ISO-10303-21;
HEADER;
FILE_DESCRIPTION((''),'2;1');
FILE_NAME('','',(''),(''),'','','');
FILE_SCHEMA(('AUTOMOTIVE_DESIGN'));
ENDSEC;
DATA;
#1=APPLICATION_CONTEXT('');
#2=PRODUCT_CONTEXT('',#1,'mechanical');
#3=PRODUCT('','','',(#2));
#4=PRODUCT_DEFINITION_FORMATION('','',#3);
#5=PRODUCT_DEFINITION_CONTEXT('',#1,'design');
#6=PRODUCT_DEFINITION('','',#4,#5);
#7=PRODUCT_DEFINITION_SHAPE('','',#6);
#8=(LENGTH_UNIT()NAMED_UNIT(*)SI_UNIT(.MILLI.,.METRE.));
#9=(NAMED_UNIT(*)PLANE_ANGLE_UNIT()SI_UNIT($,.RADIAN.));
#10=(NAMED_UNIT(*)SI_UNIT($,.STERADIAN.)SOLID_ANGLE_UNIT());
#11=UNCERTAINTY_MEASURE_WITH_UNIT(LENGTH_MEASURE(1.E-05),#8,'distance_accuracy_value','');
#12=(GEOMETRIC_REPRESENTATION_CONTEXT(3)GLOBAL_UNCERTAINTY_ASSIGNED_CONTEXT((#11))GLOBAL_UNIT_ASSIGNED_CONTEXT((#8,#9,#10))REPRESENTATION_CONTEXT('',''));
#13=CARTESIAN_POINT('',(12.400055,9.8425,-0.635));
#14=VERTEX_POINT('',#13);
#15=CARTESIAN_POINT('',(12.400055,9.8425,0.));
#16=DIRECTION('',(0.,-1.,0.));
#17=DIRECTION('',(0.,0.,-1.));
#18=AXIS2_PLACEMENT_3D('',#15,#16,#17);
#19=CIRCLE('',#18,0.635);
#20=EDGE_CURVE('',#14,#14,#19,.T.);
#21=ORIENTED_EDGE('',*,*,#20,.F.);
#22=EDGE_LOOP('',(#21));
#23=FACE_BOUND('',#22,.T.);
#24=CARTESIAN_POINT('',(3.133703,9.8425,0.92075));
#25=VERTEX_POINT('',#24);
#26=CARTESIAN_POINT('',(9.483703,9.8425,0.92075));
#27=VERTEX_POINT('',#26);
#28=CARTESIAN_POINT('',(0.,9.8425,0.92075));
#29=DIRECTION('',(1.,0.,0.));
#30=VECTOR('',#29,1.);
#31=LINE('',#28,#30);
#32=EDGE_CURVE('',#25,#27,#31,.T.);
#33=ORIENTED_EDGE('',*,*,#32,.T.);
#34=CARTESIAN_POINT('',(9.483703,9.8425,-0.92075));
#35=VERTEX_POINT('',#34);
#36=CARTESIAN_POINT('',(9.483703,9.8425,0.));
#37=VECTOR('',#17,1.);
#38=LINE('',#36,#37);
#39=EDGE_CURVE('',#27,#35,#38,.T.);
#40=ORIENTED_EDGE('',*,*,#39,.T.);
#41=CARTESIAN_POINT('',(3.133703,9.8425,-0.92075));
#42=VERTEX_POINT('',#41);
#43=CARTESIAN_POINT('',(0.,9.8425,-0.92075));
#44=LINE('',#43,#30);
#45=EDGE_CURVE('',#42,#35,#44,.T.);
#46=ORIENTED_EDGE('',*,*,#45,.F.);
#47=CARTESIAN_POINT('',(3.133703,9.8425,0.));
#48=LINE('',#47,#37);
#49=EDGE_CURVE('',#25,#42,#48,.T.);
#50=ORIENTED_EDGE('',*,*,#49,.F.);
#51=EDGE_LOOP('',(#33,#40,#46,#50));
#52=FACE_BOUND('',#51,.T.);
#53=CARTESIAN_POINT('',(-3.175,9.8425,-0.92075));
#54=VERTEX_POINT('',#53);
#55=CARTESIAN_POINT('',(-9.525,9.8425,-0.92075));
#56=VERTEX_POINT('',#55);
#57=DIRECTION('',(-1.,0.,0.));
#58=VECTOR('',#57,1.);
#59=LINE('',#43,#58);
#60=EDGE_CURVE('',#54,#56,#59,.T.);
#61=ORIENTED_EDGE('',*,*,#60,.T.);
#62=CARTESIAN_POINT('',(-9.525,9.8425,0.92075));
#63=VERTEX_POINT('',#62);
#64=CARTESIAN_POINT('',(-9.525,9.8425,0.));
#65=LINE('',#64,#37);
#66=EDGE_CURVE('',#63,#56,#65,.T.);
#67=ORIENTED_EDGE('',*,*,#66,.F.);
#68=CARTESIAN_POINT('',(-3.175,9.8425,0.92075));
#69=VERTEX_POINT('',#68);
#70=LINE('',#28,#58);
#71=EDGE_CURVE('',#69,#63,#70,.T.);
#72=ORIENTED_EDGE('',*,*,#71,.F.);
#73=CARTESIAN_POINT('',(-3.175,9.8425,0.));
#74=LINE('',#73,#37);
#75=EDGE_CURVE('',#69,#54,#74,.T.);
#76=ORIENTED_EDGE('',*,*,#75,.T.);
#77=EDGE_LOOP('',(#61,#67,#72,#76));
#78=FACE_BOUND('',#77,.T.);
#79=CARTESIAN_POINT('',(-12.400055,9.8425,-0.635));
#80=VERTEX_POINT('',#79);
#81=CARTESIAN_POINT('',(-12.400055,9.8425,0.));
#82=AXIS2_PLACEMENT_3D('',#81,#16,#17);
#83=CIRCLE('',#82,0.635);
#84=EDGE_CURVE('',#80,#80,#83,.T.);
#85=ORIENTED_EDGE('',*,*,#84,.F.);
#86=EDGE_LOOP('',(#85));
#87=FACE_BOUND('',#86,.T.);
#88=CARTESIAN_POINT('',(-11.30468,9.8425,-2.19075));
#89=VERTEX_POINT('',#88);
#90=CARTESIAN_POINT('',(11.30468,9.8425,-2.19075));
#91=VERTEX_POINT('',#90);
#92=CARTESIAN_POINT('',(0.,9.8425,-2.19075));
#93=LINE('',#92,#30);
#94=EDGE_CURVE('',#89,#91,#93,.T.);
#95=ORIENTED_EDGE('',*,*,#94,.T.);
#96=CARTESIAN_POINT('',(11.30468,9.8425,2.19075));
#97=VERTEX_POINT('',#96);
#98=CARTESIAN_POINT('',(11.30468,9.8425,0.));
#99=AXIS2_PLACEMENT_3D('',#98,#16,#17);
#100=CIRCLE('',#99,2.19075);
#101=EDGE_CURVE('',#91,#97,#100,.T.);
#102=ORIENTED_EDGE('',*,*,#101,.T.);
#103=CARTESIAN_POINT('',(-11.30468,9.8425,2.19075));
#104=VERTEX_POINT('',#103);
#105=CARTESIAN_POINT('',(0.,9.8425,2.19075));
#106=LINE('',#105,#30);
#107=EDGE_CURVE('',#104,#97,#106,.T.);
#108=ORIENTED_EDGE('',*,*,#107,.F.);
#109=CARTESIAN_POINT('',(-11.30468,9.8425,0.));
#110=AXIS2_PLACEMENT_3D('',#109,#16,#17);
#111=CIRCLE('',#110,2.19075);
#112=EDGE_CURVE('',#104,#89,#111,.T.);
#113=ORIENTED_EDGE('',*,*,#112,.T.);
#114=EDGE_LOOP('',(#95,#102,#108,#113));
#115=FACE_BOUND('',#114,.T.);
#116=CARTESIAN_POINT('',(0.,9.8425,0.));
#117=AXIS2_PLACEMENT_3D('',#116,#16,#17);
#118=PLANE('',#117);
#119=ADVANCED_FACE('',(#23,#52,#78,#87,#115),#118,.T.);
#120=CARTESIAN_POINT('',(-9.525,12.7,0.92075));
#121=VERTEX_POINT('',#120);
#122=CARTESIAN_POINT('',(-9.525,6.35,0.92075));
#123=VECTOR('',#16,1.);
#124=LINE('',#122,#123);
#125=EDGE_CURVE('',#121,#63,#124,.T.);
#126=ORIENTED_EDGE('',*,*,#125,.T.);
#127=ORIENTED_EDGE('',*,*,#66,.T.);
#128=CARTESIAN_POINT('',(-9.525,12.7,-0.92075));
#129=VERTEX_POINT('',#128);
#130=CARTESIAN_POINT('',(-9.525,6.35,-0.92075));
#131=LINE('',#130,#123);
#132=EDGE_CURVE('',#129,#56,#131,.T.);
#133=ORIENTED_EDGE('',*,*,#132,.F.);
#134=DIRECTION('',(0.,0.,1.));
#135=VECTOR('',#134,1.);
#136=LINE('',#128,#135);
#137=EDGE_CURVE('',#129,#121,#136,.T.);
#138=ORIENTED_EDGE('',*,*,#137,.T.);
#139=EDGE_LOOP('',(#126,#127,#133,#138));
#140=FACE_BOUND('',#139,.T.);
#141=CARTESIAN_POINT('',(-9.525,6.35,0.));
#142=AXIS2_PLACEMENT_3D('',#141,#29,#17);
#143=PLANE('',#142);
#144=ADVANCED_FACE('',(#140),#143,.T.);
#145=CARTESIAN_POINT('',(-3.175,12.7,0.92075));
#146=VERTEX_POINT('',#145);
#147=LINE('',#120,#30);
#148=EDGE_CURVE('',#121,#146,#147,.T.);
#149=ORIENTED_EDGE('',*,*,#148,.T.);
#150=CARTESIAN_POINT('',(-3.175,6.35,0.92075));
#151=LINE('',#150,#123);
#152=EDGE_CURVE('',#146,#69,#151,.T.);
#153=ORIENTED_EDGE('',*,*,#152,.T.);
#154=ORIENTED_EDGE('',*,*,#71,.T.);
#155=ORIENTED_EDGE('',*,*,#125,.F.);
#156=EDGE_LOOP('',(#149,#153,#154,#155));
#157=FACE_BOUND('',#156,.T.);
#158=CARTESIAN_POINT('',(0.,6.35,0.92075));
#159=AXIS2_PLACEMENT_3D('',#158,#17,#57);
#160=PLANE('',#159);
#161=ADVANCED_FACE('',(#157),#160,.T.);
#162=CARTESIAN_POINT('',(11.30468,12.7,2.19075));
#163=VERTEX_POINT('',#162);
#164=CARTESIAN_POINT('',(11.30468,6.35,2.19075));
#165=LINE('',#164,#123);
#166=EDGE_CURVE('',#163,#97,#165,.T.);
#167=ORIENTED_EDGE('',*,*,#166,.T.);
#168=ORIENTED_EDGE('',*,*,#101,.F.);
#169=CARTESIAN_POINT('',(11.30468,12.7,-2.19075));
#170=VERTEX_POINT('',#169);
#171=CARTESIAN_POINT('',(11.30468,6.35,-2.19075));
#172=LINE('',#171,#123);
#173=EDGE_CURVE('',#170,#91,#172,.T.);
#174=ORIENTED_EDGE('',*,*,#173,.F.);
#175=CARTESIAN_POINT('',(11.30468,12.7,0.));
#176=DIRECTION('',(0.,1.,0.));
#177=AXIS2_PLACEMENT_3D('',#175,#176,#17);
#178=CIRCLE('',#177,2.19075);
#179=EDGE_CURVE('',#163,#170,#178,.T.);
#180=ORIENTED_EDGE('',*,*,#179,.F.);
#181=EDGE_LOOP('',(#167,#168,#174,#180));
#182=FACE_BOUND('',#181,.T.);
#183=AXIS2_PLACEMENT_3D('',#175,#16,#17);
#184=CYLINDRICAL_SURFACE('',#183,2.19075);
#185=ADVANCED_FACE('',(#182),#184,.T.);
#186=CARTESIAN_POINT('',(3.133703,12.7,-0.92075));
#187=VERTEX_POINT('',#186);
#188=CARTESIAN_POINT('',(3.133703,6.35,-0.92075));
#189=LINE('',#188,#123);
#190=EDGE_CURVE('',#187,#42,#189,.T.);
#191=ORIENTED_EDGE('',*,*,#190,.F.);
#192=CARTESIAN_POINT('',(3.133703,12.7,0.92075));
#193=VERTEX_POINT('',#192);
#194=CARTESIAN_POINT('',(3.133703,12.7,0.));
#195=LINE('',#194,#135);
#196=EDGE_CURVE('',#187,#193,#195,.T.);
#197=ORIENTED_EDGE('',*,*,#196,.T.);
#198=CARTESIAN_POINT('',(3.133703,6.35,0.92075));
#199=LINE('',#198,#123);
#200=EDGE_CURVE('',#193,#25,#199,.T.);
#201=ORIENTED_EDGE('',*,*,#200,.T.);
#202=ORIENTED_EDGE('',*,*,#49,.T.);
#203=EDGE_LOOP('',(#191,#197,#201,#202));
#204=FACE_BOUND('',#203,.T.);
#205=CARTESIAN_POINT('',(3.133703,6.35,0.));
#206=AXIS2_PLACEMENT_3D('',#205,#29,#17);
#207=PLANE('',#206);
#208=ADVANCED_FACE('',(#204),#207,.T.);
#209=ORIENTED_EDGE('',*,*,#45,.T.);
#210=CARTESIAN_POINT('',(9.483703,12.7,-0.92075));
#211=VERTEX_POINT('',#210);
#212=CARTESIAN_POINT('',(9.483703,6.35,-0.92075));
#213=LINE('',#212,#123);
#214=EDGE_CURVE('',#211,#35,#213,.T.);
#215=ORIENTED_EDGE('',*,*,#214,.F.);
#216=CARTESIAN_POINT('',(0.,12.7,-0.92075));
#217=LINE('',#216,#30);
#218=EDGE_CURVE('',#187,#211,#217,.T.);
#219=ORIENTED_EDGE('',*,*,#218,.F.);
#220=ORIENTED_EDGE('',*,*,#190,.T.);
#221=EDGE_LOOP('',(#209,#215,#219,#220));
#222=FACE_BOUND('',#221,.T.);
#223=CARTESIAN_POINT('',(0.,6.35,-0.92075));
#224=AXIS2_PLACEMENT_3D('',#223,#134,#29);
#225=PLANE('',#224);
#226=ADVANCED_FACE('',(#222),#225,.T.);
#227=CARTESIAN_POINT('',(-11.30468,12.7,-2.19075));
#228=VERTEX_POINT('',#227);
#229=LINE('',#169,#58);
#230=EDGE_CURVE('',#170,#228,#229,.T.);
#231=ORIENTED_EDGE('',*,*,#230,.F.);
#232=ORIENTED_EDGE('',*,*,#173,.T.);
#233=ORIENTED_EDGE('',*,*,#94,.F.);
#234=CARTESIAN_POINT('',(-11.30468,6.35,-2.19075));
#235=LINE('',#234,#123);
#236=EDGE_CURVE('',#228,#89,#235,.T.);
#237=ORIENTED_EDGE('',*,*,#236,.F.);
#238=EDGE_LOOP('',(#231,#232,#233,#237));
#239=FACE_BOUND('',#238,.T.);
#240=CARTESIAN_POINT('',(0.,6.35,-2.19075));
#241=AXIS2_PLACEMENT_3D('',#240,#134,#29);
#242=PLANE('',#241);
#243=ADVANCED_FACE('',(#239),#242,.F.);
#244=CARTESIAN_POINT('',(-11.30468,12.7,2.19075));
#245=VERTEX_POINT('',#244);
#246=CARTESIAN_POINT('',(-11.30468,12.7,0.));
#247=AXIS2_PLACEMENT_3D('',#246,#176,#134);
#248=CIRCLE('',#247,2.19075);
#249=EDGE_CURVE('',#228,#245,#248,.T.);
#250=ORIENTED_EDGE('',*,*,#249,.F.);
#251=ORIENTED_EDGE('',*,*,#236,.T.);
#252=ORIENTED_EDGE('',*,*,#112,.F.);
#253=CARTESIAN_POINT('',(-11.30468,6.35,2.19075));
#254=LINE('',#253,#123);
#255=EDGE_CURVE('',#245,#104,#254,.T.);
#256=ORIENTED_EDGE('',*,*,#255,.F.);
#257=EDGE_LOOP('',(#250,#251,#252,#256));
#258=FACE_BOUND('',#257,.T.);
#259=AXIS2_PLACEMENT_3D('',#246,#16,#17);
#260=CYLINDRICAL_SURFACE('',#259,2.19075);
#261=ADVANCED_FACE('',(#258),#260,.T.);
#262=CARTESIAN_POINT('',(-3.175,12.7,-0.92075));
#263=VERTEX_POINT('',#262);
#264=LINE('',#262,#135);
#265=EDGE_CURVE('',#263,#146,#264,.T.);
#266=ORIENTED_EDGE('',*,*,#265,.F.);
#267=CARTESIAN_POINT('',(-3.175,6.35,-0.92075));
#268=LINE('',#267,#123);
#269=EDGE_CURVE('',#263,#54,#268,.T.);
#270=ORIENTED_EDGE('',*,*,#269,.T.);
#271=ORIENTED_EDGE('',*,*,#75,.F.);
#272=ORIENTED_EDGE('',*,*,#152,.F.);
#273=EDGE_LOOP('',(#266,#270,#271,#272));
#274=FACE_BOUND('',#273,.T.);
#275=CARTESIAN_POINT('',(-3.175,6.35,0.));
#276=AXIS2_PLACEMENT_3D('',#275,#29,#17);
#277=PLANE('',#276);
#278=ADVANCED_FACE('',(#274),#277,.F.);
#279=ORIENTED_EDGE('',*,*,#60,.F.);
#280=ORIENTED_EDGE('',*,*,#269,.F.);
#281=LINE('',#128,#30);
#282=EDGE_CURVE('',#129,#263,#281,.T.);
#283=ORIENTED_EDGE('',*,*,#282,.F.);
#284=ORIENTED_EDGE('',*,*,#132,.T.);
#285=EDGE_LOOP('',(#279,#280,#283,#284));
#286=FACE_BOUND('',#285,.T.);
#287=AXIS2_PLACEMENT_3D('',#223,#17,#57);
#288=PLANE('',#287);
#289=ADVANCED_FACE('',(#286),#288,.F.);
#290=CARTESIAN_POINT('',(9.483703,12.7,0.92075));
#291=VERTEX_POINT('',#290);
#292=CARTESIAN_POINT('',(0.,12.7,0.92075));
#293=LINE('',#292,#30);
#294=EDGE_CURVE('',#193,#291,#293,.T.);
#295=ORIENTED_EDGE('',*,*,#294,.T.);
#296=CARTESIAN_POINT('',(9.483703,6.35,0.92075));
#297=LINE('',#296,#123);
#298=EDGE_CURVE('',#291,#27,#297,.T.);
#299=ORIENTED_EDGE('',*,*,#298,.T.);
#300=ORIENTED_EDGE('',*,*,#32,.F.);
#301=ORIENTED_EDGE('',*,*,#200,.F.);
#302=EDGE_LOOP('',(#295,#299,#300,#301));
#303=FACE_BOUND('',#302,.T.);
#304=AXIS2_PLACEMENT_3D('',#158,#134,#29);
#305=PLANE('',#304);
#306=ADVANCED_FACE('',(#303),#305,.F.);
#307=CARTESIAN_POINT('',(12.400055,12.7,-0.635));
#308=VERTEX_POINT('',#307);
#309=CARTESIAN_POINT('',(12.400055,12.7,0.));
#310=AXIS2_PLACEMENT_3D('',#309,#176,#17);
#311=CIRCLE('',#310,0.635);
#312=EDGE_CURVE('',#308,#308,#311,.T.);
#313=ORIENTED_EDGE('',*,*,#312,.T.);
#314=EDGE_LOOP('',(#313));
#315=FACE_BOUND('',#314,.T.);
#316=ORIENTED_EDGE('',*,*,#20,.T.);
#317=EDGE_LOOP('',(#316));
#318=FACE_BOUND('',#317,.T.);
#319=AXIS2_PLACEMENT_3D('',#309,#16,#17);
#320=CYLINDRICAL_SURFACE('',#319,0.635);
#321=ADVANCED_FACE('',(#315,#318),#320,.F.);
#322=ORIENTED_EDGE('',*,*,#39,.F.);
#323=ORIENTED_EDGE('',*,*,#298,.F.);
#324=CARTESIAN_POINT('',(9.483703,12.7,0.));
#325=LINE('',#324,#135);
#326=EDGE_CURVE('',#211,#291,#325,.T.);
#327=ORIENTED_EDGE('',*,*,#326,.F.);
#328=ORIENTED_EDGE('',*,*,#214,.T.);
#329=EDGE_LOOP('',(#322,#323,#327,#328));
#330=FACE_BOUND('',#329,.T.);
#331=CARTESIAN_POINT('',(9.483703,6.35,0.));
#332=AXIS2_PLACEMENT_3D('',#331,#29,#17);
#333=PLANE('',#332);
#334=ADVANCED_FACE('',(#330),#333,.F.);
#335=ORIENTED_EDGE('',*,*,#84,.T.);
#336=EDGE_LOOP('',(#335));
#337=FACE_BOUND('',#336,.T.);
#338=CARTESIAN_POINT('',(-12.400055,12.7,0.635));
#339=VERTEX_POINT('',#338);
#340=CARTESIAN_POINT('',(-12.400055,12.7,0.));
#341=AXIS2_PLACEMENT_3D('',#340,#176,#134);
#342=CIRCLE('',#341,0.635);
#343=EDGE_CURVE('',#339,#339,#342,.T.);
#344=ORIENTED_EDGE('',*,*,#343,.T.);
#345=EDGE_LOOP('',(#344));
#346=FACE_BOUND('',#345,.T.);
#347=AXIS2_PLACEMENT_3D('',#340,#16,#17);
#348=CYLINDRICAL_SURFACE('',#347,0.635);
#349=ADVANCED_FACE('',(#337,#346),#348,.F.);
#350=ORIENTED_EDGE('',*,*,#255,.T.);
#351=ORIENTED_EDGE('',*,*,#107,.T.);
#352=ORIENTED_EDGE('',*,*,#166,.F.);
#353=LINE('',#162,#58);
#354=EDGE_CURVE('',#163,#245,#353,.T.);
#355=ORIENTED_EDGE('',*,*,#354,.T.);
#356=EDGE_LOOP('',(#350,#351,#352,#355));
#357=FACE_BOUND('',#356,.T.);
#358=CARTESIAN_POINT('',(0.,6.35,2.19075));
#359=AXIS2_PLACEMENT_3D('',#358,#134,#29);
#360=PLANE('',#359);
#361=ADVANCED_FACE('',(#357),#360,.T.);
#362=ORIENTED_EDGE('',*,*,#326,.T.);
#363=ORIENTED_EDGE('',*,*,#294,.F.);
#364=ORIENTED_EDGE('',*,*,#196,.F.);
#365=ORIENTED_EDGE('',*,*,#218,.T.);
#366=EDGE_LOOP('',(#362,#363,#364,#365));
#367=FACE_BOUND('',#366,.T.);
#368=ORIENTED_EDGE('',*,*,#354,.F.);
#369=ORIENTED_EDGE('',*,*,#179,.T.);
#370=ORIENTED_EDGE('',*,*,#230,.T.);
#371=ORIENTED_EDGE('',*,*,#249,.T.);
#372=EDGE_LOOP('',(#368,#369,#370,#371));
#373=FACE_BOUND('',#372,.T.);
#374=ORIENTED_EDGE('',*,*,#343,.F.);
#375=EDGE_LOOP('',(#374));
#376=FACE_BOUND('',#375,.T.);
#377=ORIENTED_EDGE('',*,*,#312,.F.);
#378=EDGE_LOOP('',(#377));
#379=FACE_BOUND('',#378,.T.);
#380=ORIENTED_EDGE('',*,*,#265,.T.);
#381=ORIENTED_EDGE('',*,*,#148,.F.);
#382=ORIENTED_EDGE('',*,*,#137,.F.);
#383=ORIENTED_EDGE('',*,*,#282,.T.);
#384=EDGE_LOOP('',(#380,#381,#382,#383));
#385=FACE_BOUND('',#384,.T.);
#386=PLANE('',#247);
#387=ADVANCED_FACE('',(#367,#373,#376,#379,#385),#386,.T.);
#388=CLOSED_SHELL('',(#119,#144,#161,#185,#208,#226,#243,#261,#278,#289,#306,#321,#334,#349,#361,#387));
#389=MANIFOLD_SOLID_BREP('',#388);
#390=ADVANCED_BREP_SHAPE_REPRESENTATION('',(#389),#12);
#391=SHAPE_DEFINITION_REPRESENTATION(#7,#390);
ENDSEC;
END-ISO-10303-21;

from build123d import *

# Parameters (mm, degrees)
SKETCH1_W                = 22.609360872
SKETCH1_H                = 4.3815
SKETCH1_W_2              = 6.35
SKETCH1_H_2              = 1.8415
BOSS_EXTRUDE1_DEPTH      = 6.35
BOSS_EXTRUDE2_REACH      = 15.15
BOSS_EXTRUDE3_START      = 2.19075
BOSS_EXTRUDE3_DEPTH      = 2.19075
SKETCH7_R                = 1.5875
BOSS_EXTRUDE4_DEPTH      = 1.27
MIRROR2_COPY_1_SKETCH_R  = 1.5875
MIRROR2_COPY_1_DEPTH     = 1.27
BOSS_EXTRUDE5_DEPTH      = 6.35
BOSS_EXTRUDE5_DEPTH_BACK = 1.27
SKETCH8_R                = 0.635
SKETCH9_W                = 22.609360872
SKETCH9_H                = 6.35
BOSS_EXTRUDE6_DEPTH      = 4.3815
SKETCH10_W               = 6.35
SKETCH10_H               = 1.8415
CUT_EXTRUDE1_DEPTH       = 12.7
CUT_EXTRUDE2_DEPTH       = 23.114
CUT_EXTRUDE2_DEPTH_BACK  = 4.7625
SKETCH12_W               = 31.633822951
SKETCH12_H               = 14.456952732


with BuildPart() as part:
    # Sketch1 → Boss-Extrude1 (new body)
    with BuildSketch(Plane(origin=(0, 0, 0), x_dir=(1, 0, 0), z_dir=(0, 1, 0))):
        Rectangle(SKETCH1_W, SKETCH1_H)
        with Locations((-6.35, 0)):
            Rectangle(SKETCH1_W_2, SKETCH1_H_2, mode=Mode.SUBTRACT)
        with Locations((6.308703221, 0)):
            Rectangle(SKETCH1_W_2, SKETCH1_H_2, mode=Mode.SUBTRACT)
    extrude(amount=BOSS_EXTRUDE1_DEPTH)

    # Boss-Extrude2: up to this face of the body (flat: up to its plane)
    boss_extrude2_end = Plane(part.part.faces().sort_by_distance((0, 3.175, -2.19075))[0])
    # Sketch2 → Boss-Extrude2 (add, up to the picked face)
    with BuildSketch(Plane.XY, mode=Mode.PRIVATE) as boss_extrude2_sk1:
        with BuildLine():
            Line((3.175, 0), (-3.175, 0))
            ThreePointArc((-3.175, 0), (0, -3.175), (3.175, 0))
        make_face()
    boss_extrude2_tool1 = split(extrude(boss_extrude2_sk1.sketch, amount=-BOSS_EXTRUDE2_REACH, mode=Mode.PRIVATE), bisect_by=boss_extrude2_end, keep=Keep.BOTH, mode=Mode.PRIVATE)
    add(boss_extrude2_tool1.solids().sort_by(Axis((0, -1.347512, 0), (0, 0, -1)))[0])

    # Sketch2<3> → Boss-Extrude3 (add)
    with BuildSketch(Plane.XY.offset(BOSS_EXTRUDE3_START)):
        with BuildLine():
            Line((3.175, 0), (-3.175, 0))
            ThreePointArc((-3.175, 0), (0, -3.175), (3.175, 0))
        make_face()
    extrude(amount=-BOSS_EXTRUDE3_DEPTH)

    # Sketch7 → Boss-Extrude4 (add)
    with BuildSketch(Plane.XY.offset(2.19075)):
        with BuildLine():
            Line((-9.525, 0), (-11.304680436, 0))
            Line((-11.304680436, 0), (-11.304680436, -12.7))
            ThreePointArc((-11.304680436, -12.7), (-8.266575896, -13.958424104), (-9.525, -10.920319564))
            Line((-9.525, -10.920319564), (-9.525, 0))
        make_face()
        with Locations((-9.525, -12.7)):
            Circle(SKETCH7_R, mode=Mode.SUBTRACT)
    boss_extrude4 = extrude(amount=-BOSS_EXTRUDE4_DEPTH)

    # Mirror1: Boss-Extrude4 across plane
    add(boss_extrude4.mirror(Plane(origin=(0, 0, 0), x_dir=(0, 0, 1), z_dir=(1, 0, 0))))

    # Mirror2: Boss-Extrude4 across plane
    add(boss_extrude4.mirror(Plane.XY))

    # Mirror2 copy 1 sketch → Mirror2 copy 1 (add)
    with BuildSketch(Plane(origin=(0, 0, -2.19075), x_dir=(-1, 0, 0), z_dir=(0, 0, -1))):
        with BuildLine():
            Line((-9.525, 0), (-11.304680436, 0))
            Line((-11.304680436, 0), (-11.304680436, -12.7))
            ThreePointArc((-11.304680436, -12.7), (-8.266575896, -13.958424104), (-9.525, -10.920319564))
            Line((-9.525, -10.920319564), (-9.525, 0))
        make_face()
        with Locations((-9.525, -12.7)):
            Circle(MIRROR2_COPY_1_SKETCH_R, mode=Mode.SUBTRACT)
    extrude(amount=-MIRROR2_COPY_1_DEPTH)

    # Sketch8 → Boss-Extrude5 (add, two sides: drawn at the far end of the back side and taken through both)
    # profile 1 of 2: a face of its own
    with BuildSketch(Plane(origin=(0, 6.35, 0), x_dir=(1, 0, 0), z_dir=(0, 1, 0)).offset(-BOSS_EXTRUDE5_DEPTH_BACK)):
        with BuildLine():
            Line((-11.304680436, 2.19075), (-11.304680436, -2.19075))
            ThreePointArc((-11.304680436, -2.19075), (-13.495430436, 0), (-11.304680436, 2.19075))
        make_face()
        with Locations(Location((-12.400055436, 0, 0), (0, 0, 270))):
            Circle(SKETCH8_R, mode=Mode.SUBTRACT)
    # profile 2 of 2: a face of its own
    with BuildSketch(Plane(origin=(0, 6.35, 0), x_dir=(1, 0, 0), z_dir=(0, 1, 0)).offset(-BOSS_EXTRUDE5_DEPTH_BACK)):
        with BuildLine():
            Line((11.304680436, 2.19075), (11.304680436, -2.19075))
            ThreePointArc((11.304680436, -2.19075), (13.495430436, 0), (11.304680436, 2.19075))
        make_face()
        with Locations(Location((12.400055436, 0, 0), (0, 0, 90))):
            Circle(SKETCH8_R, mode=Mode.SUBTRACT)
    extrude(amount=BOSS_EXTRUDE5_DEPTH + BOSS_EXTRUDE5_DEPTH_BACK)

    # Sketch9 → Boss-Extrude6 (add)
    with BuildSketch(Plane(origin=(0, 0, -2.19075), x_dir=(-1, 0, 0), z_dir=(0, 0, -1))):
        with Locations((0, 9.525)):
            Rectangle(SKETCH9_W, SKETCH9_H)
    extrude(amount=-BOSS_EXTRUDE6_DEPTH)

    # Sketch10 → Cut-Extrude1 (cut)
    with BuildSketch(Plane(origin=(0, 12.7, 0), x_dir=(1, 0, 0), z_dir=(0, 1, 0))):
        with Locations((6.308703221, 0)):
            Rectangle(SKETCH10_W, SKETCH10_H)
        with Locations((-6.35, 0)):
            Rectangle(SKETCH10_W, SKETCH10_H)
    extrude(amount=-CUT_EXTRUDE1_DEPTH, mode=Mode.SUBTRACT)

    # Sketch12 → Cut-Extrude2 (cut, two sides: drawn at the far end of the back side and taken through both)
    with BuildSketch(Plane(origin=(0, 5.08, 0), x_dir=(-1, 0, 0), z_dir=(0, -1, 0)).offset(-CUT_EXTRUDE2_DEPTH_BACK)):
        with Locations((-0.08433307, 1.389523064)):
            Rectangle(SKETCH12_W, SKETCH12_H)
    extrude(amount=CUT_EXTRUDE2_DEPTH + CUT_EXTRUDE2_DEPTH_BACK, mode=Mode.SUBTRACT)


solid = part.part
